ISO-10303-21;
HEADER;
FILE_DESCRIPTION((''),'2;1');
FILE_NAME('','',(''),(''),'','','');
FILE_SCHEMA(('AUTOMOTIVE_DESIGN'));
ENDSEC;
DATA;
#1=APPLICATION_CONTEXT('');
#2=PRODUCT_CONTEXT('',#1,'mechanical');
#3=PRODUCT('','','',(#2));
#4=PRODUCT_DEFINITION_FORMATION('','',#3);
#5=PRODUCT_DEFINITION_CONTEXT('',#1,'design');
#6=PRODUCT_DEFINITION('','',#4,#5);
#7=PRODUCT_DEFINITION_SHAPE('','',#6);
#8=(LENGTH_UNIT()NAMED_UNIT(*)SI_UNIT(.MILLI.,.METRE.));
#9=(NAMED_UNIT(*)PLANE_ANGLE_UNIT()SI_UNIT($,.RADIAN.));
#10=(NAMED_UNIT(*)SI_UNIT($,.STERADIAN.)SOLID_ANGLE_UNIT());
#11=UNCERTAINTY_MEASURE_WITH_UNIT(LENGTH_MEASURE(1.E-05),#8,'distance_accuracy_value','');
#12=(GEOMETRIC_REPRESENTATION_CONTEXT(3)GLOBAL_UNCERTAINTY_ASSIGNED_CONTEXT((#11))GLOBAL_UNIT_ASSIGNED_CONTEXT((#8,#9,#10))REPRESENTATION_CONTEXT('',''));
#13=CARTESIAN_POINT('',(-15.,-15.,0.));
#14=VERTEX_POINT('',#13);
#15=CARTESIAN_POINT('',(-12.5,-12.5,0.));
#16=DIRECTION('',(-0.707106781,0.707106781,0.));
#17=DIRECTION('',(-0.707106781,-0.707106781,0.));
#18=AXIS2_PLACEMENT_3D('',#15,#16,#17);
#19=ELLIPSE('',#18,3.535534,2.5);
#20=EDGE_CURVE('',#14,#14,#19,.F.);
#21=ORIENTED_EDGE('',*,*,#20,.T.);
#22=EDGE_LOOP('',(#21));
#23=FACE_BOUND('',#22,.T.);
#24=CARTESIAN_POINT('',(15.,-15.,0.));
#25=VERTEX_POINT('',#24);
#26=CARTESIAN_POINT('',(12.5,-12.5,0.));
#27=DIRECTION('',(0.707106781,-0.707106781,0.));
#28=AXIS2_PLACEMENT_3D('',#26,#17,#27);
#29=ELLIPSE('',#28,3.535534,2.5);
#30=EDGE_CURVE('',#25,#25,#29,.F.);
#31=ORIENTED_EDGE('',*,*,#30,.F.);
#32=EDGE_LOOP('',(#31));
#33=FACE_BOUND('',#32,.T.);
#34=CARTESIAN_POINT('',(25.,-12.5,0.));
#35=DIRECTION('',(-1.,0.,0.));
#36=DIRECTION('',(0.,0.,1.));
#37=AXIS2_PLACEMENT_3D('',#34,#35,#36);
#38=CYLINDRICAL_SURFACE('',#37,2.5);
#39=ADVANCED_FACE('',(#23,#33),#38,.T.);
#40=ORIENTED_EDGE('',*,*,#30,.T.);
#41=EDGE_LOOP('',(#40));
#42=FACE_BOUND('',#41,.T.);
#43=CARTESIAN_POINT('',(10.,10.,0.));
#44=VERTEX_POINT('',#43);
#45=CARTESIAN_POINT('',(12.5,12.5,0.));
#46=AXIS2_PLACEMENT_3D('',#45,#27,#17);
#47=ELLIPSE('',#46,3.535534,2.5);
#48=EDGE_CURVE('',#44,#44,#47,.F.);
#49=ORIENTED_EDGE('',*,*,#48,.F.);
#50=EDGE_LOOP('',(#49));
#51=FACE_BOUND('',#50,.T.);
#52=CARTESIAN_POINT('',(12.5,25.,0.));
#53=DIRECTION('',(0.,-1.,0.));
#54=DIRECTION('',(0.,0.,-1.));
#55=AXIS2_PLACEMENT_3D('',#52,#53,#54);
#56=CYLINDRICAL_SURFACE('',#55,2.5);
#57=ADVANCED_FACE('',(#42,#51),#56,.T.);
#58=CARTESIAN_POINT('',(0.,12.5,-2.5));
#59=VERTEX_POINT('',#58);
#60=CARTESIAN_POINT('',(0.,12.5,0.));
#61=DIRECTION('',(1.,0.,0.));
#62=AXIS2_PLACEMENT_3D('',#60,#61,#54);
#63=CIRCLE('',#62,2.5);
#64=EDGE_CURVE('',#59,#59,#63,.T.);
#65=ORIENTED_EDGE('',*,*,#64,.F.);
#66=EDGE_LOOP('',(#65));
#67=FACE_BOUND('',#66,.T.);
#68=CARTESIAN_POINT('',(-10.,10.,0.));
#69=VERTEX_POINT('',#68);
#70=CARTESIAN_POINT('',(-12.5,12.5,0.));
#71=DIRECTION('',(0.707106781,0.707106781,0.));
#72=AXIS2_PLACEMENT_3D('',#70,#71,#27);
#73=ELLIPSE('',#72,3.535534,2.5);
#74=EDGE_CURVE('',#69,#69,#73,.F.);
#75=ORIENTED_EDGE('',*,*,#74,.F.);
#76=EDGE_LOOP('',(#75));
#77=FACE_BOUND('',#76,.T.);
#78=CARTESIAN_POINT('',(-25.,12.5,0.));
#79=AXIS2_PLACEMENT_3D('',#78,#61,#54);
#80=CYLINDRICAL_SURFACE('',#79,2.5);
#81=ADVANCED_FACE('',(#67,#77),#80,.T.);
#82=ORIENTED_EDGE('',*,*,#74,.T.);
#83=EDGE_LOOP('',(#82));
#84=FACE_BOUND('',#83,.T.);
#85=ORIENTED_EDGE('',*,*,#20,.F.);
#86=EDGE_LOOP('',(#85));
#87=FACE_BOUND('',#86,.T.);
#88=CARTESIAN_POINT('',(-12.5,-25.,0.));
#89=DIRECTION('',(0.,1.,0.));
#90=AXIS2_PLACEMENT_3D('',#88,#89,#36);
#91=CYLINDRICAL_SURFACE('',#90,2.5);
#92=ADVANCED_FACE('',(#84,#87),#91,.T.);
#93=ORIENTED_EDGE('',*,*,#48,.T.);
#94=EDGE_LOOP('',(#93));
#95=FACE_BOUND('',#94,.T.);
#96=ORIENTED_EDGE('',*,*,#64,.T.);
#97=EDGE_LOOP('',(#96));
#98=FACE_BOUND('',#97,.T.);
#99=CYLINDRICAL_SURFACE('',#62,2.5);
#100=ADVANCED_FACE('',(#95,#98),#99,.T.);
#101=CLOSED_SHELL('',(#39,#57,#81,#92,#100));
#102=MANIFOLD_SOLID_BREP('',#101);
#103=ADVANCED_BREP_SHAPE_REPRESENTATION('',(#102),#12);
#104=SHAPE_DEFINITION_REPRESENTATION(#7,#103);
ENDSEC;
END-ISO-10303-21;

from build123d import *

# Parameters (mm, degrees)
SKETCH_2_R = 2.5


with BuildPart() as part:
    # 扫描1: sweep along a path in 草图1
    with BuildLine(Plane.XY) as sweep_1_path:
        Line((-25, -25), (25, -25))
        Line((25, -25), (25, 25))
        Line((25, 25), (-25, 25))
        Line((-25, 25), (-25, -25))
    # 草图2 → 扫描1 (sweep)
    with BuildSketch(Plane(origin=(0, 0, 0), x_dir=(0, 0, -1), z_dir=(1, 0, 0))):
        with Locations((0, 12.5)):
            Circle(SKETCH_2_R)
    sweep(path=sweep_1_path.line, transition=Transition.RIGHT)


solid = part.part
